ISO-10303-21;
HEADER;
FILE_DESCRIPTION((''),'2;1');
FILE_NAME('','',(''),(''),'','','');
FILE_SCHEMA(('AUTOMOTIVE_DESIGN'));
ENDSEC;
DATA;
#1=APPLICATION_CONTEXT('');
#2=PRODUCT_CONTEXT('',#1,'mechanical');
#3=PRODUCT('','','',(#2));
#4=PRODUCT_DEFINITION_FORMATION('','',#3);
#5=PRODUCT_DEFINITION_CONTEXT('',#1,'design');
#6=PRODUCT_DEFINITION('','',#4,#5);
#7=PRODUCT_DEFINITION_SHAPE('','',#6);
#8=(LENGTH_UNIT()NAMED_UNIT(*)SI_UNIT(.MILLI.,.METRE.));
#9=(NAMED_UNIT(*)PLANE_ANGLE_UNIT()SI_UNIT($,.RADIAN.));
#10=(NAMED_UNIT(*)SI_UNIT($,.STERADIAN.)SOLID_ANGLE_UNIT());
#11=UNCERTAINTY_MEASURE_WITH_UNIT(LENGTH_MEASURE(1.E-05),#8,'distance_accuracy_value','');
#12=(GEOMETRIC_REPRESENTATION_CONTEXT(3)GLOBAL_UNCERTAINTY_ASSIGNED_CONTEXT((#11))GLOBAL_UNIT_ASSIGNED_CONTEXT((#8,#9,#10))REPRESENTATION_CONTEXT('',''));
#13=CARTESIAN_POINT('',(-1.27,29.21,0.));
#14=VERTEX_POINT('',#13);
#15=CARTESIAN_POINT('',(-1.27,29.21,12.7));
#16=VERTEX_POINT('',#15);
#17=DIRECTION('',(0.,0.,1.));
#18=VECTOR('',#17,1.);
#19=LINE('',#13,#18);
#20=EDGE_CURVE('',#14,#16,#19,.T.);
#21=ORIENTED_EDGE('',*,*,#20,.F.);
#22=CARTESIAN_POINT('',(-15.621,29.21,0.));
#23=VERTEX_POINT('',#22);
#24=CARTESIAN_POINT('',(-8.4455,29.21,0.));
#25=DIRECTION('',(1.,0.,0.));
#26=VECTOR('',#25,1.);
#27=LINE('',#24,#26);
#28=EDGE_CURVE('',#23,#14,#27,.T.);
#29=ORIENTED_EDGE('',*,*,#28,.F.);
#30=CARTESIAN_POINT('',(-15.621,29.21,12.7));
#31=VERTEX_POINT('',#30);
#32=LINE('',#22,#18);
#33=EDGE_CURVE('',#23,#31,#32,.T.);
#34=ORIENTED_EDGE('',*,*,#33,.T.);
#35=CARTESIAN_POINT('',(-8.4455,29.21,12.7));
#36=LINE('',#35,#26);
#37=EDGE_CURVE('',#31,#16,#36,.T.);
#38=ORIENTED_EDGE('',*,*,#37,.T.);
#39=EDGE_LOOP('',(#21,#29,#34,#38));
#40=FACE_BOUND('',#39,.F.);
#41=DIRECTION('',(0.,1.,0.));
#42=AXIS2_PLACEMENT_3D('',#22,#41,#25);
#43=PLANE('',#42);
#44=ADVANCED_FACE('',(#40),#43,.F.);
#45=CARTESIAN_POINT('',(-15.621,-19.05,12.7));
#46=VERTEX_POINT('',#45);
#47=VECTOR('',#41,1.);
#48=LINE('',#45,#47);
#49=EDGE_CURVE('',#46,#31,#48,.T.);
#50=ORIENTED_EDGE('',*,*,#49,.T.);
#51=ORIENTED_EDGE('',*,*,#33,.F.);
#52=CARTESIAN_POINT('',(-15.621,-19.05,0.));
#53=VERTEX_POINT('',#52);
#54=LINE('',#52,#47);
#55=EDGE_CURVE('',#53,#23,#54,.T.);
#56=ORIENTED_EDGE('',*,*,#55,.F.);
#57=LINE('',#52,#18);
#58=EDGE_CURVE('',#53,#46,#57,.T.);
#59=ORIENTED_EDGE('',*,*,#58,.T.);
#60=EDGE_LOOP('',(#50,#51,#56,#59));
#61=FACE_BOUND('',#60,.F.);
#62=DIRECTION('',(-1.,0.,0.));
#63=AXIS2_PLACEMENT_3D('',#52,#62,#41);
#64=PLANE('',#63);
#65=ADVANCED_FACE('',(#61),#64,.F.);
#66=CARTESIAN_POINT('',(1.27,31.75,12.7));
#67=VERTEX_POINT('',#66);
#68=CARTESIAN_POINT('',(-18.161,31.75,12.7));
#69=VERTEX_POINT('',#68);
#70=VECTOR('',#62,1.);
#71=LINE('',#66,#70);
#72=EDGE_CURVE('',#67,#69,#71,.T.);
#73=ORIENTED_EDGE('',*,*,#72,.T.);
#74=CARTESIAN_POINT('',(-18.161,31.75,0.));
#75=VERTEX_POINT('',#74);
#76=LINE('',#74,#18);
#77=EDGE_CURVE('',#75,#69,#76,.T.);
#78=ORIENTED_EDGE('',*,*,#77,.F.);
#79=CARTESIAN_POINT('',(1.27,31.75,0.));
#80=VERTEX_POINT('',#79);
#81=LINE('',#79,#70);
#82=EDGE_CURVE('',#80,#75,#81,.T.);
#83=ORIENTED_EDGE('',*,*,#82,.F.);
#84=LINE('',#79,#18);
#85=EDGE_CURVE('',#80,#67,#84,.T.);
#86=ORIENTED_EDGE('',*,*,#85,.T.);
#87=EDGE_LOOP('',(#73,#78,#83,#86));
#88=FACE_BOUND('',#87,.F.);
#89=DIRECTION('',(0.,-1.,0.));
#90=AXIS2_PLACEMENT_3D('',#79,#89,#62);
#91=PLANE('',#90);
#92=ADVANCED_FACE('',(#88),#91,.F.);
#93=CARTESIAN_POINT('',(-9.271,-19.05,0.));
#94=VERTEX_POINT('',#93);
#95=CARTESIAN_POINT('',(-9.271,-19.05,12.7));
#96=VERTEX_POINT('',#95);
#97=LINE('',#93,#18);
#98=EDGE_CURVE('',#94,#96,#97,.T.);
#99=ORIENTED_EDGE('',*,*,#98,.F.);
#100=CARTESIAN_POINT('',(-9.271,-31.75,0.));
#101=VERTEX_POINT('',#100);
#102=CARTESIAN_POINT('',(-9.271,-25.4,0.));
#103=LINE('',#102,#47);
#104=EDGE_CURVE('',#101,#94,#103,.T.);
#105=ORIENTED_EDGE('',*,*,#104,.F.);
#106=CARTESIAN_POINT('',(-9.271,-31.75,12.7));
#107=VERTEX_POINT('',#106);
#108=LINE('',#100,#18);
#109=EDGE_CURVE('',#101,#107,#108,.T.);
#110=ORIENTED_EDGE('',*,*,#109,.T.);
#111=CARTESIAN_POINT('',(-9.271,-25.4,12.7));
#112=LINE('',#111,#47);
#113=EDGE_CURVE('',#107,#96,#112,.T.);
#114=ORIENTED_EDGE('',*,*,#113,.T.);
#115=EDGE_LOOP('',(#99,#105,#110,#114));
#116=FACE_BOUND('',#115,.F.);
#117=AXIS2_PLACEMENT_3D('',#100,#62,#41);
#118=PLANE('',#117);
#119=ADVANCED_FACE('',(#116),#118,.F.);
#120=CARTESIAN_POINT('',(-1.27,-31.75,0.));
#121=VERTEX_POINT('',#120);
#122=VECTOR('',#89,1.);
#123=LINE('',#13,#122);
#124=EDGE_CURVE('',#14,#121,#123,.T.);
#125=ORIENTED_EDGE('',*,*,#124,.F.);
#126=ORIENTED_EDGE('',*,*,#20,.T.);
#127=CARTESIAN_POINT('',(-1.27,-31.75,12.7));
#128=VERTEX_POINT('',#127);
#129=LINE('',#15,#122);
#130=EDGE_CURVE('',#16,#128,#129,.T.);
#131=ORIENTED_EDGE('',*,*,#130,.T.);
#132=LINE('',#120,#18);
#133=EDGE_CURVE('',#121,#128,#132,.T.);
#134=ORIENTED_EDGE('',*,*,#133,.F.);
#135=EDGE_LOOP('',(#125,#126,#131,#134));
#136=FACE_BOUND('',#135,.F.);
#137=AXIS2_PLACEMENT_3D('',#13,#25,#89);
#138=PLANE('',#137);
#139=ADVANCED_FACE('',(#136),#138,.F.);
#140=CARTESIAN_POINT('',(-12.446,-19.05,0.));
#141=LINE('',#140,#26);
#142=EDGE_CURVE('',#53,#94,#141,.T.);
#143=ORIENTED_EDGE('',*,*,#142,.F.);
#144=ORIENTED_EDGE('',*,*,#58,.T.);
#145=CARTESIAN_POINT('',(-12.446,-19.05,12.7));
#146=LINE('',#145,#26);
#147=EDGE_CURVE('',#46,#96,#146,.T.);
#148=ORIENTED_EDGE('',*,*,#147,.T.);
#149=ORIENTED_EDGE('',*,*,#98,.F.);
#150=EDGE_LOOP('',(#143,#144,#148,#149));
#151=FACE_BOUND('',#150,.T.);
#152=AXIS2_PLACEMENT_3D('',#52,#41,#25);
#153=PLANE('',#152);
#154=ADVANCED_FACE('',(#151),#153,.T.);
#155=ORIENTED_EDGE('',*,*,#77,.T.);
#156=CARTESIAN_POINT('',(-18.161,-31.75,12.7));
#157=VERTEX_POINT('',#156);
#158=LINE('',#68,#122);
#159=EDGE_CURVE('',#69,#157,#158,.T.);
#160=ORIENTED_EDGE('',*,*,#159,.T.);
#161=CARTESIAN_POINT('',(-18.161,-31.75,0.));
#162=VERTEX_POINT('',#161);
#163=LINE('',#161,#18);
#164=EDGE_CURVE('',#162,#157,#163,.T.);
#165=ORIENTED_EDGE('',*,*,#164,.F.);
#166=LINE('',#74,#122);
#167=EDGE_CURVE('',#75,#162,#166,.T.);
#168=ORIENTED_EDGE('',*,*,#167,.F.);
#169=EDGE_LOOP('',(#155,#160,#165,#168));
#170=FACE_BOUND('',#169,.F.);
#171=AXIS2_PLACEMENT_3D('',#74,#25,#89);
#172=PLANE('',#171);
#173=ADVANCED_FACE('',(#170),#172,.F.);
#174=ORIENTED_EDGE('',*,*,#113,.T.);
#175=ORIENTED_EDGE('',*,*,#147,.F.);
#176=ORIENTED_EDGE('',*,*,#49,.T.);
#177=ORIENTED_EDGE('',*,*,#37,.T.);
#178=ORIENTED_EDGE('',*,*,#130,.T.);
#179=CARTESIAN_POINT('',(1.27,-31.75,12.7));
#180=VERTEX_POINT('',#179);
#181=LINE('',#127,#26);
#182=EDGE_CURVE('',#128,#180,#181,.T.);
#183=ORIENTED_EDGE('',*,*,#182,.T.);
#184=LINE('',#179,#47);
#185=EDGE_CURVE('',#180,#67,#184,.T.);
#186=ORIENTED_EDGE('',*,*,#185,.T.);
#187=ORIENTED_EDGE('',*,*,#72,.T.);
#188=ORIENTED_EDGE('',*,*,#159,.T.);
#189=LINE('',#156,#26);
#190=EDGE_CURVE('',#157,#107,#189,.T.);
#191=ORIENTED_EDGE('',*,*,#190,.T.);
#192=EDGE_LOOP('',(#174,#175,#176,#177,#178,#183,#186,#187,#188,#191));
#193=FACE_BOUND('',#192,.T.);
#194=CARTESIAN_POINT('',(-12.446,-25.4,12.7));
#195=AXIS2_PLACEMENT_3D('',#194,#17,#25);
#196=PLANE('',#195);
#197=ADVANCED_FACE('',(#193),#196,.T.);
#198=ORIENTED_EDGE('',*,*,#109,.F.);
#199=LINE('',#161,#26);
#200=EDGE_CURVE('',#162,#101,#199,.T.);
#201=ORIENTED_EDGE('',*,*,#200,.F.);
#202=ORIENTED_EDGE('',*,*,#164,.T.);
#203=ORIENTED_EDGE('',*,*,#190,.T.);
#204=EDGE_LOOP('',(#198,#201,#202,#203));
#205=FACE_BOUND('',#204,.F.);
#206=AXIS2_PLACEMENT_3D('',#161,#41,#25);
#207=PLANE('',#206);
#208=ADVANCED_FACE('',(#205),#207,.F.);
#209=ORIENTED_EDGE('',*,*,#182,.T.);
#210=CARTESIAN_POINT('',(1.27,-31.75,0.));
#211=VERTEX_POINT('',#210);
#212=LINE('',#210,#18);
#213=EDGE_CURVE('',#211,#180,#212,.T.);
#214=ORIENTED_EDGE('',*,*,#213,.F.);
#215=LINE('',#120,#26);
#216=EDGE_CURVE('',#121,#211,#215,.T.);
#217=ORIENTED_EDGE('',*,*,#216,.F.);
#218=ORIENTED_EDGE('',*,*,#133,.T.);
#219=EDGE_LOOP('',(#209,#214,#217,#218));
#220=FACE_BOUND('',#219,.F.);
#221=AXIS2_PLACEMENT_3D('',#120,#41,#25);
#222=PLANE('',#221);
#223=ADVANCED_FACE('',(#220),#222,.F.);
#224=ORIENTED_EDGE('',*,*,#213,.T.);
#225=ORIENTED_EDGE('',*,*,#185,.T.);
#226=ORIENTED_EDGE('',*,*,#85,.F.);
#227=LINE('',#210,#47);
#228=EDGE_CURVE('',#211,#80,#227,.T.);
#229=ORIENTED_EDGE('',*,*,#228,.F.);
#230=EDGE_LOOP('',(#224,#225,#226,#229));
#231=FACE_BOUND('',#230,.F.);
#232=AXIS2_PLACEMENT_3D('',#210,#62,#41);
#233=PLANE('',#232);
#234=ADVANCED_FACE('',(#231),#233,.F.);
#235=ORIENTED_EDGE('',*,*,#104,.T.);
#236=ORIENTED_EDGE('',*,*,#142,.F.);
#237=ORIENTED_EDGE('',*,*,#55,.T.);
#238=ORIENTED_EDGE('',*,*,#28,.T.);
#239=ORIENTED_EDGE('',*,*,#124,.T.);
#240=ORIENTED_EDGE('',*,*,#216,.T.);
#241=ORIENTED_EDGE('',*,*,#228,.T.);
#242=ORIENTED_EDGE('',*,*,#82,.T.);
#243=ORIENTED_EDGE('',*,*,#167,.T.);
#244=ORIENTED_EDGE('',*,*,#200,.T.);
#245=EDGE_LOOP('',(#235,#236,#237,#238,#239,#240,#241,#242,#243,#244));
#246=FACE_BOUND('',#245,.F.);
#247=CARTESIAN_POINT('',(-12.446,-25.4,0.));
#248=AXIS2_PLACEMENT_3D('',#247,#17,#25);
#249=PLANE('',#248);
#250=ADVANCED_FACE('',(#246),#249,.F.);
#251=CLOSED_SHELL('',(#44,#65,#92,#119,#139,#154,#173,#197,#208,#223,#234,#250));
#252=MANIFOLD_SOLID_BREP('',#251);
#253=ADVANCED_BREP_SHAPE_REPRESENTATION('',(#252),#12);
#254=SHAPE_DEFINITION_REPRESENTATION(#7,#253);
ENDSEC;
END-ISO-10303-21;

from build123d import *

# Parameters (mm, degrees)
F0_W     = 6.35
F0_H     = 12.7
F0_W_2   = 14.351
F0_H_2   = 2.54
F1_DEPTH = 12.7


with BuildPart() as f1:
    # F0 (on Top) → F1 (new body)
    with BuildSketch(Plane.XY):
        with Locations((-12.446, -25.4)):
            Rectangle(F0_W, F0_H)
        Polygon((-15.621, -19.05), (-15.621, 29.21), (-15.621, 31.75), (-18.161, 31.75), (-18.161, -31.75), (-15.621, -31.75), align=None)
        with Locations((-8.4455, 30.48)):
            Rectangle(F0_W_2, F0_H_2)
        Polygon((-1.27, -31.75), (1.27, -31.75), (1.27, 31.75), (-1.27, 31.75), (-1.27, 29.21), align=None)
    extrude(amount=F1_DEPTH)


solid = f1.part
